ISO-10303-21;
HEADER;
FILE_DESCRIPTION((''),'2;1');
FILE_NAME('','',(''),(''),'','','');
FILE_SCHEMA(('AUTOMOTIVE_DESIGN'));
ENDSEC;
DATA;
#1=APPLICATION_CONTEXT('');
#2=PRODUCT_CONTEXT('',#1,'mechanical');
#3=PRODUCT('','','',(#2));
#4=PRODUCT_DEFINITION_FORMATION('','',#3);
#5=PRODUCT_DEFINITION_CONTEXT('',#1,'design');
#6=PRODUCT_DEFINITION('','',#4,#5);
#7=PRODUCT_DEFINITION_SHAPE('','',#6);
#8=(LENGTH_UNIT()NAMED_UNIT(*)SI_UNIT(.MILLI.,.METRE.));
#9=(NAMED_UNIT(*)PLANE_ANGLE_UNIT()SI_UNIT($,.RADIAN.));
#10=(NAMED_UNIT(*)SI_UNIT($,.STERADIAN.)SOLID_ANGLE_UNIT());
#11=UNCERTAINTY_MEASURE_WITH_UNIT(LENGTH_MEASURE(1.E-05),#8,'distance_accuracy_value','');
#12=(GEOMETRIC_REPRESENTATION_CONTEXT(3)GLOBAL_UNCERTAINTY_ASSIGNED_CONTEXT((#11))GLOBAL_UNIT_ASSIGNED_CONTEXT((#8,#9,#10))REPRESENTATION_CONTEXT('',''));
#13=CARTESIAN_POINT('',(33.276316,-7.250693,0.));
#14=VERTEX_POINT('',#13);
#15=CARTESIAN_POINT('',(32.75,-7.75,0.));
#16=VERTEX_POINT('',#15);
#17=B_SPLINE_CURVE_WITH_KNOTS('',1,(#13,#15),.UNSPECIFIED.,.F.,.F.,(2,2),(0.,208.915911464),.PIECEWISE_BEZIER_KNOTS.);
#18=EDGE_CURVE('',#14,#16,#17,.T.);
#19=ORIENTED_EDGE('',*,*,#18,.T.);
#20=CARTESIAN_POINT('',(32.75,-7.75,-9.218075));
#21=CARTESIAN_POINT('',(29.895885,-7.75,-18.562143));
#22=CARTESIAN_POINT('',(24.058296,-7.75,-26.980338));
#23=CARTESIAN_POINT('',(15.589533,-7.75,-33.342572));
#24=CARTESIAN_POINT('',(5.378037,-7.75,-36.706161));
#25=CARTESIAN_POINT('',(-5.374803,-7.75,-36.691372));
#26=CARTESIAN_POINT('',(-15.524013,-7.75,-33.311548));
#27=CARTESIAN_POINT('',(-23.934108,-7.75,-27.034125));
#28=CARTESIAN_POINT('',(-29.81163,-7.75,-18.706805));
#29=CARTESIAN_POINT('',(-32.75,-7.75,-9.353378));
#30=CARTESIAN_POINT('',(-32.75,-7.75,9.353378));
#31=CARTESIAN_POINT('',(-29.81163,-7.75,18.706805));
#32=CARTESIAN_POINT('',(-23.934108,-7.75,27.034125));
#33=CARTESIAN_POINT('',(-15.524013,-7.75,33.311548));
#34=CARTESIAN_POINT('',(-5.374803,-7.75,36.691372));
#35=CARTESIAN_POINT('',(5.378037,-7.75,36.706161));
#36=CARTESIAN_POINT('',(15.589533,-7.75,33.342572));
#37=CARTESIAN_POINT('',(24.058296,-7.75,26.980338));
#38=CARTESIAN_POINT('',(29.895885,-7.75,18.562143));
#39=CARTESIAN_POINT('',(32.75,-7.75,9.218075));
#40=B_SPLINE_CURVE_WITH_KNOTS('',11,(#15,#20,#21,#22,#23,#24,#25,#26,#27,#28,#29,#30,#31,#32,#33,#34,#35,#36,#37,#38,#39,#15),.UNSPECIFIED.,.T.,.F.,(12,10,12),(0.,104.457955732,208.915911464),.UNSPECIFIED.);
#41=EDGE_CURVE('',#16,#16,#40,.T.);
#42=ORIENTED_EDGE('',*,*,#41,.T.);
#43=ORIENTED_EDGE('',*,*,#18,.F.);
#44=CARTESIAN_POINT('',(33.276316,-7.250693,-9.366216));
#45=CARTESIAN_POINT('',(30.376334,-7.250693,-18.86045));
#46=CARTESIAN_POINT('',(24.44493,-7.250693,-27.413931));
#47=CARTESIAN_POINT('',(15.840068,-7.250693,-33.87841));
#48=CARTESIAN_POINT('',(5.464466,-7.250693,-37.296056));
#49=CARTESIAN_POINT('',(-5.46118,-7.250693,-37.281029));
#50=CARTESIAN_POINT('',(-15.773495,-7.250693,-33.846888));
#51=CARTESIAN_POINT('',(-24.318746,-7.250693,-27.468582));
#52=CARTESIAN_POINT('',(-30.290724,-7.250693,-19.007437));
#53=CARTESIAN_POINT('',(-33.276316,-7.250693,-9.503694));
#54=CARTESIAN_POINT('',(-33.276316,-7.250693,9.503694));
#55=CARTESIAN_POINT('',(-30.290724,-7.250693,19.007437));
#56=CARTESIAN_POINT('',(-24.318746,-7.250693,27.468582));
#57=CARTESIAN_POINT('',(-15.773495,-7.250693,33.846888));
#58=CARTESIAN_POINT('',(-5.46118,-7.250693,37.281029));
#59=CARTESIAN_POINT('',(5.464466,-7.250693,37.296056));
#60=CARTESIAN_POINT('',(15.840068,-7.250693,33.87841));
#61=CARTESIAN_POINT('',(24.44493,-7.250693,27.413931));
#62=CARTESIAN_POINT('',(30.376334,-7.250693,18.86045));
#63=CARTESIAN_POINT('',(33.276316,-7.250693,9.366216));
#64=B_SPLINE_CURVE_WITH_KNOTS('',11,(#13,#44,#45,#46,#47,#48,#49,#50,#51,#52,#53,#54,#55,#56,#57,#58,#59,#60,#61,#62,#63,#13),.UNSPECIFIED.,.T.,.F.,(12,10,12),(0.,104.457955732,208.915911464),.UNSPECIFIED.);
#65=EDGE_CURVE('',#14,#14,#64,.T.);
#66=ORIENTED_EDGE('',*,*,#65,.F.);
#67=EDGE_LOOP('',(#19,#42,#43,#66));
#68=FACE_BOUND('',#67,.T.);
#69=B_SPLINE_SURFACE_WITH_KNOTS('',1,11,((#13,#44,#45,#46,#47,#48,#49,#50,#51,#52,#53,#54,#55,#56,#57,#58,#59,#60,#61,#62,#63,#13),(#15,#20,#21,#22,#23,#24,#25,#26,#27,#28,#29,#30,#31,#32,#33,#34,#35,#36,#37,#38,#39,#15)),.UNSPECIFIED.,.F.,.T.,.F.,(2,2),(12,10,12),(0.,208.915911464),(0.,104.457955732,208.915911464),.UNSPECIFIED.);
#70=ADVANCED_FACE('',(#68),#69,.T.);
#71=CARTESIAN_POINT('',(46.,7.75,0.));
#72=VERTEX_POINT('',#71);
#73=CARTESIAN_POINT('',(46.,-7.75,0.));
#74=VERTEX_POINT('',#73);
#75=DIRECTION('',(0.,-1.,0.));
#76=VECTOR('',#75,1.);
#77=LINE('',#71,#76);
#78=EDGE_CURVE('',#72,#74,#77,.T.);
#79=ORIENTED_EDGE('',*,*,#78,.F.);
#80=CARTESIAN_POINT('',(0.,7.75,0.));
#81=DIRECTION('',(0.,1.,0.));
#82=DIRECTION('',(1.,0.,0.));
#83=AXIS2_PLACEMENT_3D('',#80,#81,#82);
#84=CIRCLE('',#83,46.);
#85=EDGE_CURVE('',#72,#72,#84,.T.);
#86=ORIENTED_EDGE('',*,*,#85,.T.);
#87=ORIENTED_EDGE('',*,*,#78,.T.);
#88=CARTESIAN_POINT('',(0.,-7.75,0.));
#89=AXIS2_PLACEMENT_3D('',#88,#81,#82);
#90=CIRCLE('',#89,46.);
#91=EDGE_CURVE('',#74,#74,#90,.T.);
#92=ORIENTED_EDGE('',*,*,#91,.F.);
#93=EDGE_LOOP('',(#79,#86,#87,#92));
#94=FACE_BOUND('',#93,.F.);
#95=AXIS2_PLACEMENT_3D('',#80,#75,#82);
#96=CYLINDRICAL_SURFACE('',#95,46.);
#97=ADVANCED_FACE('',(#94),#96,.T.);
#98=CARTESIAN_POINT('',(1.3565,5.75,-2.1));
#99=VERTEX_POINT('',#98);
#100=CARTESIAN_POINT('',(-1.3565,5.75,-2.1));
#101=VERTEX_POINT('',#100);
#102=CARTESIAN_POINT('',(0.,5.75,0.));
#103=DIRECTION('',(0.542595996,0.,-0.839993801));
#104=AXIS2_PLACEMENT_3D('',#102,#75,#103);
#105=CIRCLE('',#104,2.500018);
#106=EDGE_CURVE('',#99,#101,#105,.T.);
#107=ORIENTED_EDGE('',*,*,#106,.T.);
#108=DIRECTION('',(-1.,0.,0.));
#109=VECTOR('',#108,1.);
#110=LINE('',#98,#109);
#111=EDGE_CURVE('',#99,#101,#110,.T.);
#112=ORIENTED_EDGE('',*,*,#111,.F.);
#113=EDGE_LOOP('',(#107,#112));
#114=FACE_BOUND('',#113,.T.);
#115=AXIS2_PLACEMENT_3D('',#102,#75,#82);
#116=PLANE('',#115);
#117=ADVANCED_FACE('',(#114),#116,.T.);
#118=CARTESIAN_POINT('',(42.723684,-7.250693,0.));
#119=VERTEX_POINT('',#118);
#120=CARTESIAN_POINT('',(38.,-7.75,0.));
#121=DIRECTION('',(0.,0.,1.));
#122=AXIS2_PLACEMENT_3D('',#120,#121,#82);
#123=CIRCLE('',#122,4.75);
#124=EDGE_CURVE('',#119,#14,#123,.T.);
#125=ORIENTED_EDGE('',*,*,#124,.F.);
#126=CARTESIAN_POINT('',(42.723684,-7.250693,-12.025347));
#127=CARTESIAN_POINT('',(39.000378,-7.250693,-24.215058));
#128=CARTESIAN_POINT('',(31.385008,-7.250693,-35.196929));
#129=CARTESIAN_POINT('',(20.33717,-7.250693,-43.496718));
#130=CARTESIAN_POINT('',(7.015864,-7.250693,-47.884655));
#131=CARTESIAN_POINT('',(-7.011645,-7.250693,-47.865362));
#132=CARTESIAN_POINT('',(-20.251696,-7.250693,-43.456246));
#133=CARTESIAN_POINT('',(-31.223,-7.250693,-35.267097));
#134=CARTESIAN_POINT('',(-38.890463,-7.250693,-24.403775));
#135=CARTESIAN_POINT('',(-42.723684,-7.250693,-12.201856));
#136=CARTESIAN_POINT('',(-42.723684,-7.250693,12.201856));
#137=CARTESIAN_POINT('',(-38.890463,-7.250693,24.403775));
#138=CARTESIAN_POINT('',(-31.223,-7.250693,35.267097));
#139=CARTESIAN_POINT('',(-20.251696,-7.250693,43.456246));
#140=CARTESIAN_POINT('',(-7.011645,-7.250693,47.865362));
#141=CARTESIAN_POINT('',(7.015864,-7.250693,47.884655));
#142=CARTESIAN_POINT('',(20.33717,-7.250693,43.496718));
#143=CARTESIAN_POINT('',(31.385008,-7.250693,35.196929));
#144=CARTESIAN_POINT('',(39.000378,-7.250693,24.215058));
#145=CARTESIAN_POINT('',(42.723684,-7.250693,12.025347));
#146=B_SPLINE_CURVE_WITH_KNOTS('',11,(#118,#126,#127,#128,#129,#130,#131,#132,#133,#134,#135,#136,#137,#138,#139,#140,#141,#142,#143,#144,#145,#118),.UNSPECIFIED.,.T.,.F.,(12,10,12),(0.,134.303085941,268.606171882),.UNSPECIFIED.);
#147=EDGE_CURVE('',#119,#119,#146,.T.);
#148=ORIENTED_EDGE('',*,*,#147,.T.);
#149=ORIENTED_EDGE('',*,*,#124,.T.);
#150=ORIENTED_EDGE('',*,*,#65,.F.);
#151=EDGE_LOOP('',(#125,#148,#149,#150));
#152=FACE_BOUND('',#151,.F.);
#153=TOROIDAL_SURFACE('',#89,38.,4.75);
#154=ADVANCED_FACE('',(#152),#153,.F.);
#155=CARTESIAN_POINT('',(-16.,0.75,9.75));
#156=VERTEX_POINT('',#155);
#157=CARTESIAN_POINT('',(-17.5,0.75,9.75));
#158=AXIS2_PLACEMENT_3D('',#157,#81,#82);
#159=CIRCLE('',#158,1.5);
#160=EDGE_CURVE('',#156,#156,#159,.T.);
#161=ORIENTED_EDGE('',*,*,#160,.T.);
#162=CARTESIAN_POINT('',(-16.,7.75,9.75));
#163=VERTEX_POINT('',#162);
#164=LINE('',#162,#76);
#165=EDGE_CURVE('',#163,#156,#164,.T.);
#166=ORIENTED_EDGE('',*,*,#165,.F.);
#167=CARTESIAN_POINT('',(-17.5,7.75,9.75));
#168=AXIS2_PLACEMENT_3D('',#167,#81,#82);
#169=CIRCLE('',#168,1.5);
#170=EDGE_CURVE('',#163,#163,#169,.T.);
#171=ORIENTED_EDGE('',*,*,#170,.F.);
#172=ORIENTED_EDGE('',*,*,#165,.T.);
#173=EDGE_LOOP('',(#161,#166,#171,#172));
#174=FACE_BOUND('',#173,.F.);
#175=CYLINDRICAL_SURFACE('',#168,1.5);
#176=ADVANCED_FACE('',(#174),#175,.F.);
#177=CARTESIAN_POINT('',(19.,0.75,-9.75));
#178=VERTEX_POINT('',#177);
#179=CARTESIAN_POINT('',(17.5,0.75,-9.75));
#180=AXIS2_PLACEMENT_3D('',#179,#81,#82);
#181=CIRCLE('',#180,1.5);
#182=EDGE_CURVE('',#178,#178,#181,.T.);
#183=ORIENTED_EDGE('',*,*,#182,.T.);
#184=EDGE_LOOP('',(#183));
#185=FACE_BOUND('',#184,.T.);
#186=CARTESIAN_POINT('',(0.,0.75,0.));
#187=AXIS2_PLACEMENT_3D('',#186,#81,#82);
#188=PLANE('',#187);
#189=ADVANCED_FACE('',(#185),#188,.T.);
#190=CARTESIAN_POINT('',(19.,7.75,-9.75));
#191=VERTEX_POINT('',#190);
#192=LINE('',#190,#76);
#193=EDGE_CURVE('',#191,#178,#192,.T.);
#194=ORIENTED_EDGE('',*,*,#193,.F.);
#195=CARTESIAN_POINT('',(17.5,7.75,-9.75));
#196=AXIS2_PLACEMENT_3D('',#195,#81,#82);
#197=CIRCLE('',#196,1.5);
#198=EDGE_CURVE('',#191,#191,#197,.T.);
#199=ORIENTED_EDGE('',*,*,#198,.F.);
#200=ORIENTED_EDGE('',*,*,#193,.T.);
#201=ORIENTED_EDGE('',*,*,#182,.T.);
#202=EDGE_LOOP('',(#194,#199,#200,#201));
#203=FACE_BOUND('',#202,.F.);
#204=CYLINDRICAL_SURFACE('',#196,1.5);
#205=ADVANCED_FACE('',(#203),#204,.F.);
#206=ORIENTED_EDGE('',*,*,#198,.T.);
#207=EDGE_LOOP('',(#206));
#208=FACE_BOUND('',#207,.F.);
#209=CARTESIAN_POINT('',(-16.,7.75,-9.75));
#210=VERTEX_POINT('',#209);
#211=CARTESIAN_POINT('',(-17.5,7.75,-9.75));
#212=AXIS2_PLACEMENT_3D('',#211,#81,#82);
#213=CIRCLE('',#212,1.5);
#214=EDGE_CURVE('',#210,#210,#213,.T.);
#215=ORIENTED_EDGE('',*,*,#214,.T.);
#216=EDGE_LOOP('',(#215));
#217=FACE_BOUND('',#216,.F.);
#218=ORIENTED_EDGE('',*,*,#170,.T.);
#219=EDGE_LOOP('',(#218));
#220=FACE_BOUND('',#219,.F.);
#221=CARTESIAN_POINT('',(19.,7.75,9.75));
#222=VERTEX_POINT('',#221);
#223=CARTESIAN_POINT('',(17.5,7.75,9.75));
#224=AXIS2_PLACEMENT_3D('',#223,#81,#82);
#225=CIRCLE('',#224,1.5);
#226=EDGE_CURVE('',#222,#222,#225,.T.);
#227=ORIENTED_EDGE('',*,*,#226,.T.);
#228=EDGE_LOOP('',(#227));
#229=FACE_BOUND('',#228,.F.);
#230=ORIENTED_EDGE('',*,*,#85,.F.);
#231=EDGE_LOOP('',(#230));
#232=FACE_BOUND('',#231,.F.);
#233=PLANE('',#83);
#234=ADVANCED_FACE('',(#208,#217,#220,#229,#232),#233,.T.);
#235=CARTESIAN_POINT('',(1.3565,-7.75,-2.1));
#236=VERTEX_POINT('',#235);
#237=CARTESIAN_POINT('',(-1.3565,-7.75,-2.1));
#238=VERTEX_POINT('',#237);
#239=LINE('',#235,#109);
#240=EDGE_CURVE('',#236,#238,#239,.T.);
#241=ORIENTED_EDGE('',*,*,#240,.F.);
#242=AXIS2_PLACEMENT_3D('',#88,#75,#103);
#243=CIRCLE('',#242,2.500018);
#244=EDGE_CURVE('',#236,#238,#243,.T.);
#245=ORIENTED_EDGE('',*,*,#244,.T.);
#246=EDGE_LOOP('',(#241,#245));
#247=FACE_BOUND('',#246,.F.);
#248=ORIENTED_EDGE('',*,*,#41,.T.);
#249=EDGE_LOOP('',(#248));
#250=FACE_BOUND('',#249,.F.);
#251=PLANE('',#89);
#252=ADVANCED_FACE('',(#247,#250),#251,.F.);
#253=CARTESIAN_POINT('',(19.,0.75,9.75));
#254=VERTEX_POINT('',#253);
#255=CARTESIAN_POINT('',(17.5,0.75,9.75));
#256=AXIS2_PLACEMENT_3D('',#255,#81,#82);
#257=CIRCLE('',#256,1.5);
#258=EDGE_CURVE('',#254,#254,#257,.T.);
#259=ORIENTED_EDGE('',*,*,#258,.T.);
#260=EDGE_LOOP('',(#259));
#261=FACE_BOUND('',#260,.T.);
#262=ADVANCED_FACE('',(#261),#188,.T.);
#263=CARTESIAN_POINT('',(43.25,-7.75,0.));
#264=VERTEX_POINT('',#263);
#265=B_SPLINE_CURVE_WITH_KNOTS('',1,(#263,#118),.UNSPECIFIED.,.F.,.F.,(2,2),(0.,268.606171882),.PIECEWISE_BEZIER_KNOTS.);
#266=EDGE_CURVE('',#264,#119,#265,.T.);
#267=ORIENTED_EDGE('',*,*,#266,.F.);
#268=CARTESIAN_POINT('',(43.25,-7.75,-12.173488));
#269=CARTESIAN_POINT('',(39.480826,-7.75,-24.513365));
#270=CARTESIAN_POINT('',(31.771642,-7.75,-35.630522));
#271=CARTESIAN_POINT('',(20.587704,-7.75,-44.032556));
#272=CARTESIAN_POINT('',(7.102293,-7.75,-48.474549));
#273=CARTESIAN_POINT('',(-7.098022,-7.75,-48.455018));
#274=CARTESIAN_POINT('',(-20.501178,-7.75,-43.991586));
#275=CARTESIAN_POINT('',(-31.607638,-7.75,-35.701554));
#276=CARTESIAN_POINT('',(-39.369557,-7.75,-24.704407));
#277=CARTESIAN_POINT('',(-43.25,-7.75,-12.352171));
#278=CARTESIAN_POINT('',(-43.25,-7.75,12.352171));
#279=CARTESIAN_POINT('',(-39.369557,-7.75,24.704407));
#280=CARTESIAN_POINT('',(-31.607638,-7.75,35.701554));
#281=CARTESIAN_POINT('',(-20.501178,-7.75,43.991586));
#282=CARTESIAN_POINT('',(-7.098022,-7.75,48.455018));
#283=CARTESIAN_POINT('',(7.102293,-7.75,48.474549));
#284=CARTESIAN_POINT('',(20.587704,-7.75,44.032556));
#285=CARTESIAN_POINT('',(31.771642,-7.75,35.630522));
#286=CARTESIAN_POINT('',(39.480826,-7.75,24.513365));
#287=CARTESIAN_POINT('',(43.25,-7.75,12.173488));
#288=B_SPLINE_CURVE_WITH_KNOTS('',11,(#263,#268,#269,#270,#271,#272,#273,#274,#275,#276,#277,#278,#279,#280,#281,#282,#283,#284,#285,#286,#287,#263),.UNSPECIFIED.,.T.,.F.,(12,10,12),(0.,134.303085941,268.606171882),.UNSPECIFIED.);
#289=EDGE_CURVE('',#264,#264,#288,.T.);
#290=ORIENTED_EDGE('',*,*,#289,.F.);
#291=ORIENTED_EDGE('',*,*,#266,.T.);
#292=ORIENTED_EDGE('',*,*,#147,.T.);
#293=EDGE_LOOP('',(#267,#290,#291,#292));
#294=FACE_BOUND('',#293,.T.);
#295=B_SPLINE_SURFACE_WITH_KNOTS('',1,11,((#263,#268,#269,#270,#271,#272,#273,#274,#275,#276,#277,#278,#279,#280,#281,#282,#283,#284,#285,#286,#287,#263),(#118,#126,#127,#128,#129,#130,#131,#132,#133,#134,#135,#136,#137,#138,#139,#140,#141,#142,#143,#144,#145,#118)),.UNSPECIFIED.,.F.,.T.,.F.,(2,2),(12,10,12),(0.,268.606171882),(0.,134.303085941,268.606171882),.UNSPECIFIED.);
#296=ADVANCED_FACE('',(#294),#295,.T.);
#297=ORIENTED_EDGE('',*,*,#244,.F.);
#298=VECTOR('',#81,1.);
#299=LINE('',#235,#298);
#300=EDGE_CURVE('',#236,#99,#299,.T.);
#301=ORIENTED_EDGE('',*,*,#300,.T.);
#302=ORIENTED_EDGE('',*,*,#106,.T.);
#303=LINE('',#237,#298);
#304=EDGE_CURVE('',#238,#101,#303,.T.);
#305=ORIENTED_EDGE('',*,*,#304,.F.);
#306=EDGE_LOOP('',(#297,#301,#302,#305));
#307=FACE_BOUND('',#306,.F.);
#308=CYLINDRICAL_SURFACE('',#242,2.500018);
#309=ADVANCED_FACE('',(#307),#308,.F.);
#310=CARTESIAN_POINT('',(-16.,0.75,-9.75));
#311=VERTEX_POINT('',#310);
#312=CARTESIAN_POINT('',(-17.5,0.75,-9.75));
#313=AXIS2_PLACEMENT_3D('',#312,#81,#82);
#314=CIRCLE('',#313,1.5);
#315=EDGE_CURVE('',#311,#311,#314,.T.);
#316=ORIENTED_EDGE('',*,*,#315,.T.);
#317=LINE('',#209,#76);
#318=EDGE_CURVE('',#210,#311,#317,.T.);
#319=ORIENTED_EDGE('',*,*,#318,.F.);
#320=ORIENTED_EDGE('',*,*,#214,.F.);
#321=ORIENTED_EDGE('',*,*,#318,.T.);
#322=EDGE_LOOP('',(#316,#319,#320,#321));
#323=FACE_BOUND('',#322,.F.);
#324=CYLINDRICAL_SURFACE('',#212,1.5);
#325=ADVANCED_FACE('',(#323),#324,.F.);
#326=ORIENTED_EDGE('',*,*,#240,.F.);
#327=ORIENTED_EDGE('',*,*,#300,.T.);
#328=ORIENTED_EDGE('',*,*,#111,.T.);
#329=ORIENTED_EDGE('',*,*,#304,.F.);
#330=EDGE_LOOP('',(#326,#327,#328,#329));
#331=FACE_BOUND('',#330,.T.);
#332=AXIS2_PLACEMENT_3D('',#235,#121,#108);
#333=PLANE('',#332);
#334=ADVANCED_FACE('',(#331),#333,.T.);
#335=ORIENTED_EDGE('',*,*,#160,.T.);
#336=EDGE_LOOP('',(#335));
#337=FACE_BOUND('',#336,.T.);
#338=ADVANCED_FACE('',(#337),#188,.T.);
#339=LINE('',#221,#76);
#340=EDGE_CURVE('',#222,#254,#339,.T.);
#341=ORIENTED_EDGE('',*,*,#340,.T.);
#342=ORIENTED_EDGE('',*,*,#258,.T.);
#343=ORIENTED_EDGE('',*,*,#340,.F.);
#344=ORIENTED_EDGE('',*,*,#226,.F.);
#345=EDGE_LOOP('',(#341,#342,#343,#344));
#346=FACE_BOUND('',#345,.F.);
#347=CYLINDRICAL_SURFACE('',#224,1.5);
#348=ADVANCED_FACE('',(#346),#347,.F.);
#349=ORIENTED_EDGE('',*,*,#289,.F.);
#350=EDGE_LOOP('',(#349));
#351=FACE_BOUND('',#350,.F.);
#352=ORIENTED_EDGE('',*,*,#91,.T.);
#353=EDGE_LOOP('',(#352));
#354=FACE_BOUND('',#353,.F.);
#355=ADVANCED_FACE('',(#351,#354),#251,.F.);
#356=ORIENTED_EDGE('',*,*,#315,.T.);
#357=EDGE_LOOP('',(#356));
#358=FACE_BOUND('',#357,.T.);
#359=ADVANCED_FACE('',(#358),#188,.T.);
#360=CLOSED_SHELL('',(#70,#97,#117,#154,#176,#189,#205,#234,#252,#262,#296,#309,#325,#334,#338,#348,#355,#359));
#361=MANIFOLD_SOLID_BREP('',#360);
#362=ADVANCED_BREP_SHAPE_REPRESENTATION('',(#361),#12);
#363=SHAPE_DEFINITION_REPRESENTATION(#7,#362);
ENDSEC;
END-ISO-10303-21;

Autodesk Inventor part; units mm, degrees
ref_plane "YZ Plane" through (0, 0, 0) normal (1, 0, 0) x (0, 1, 0)
ref_plane "XZ Plane" through (0, 0, 0) normal (0, 1, 0) x (-1, 0, 0)
ref_plane "XY Plane" through (0, 0, 0) normal (0, 0, 1) x (1, 0, 0)
sketch "Szkic1" plane through (0, 0, 0) normal (0, 0, 1) x (1, 0, 0)
  line L0 (0, 7.75) -> (46, 7.75)
  line L1 (46, 7.75) -> (46, -7.75)
  line L2 (46, -7.75) -> (42.75, -7.75)
  line L3 (0, -7.75) -> (0, 7.75)
  line L4 (33.25, -7.75) -> (0, -7.75)
  arc A0 (42.75, -7.75) -> (33.25, -7.75) centre (38, -7.75) ccw
  line L5 (0, -10.85) -> (0, 10.85) projected
  line L6 (0, -7.75) -> (33.25, -7.75)
  line L7 (42.75, -7.75) -> (46, -7.75)
  point P0 (0, 0)
  point P1 (0, 0)
  dimension "d0" = 46
  dimension "d1" = 15.5
  dimension "d9" = 38
  dimension "d10" = 4.75
  dimension "d11" = 0
revolve "Obrót1" add sketch "Szkic1" angle 360 about axis through (0, -10, 0) along (0, 1, 0)
sketch "Szkic2" plane through (0, -7.75, 0) normal (0, -1, 0) x (1, 0, 0)
  arc A0 (1.3565, -2.1) -> (-1.3565, -2.1) centre (0, 0) ccw
  line L0 (1.3565, -2.1) -> (-1.3565, -2.1)
  point P0 (0, -2.1)
  point P1 (0, 2.5)
  dimension "d5" = 5
  dimension "d15" = 4.6
extrude "Wyciągnięcie proste1" cut sketch "Szkic2" against normal blind 13.5
chamfer "Faza1" distance 0.5 angle 45 2 edges at (-42.75, -7.75, 0) (-33.25, -7.75, 0)
sketch "Szkic3" plane through (0, 7.75, 0) normal (0, 1, 0) x (1, 0, 0)
  circle A0 centre (-17.5, -9.75) radius 1.5
  line L0 (64.4, 0) -> (-64.4, 0) projected
  line L1 (0, 64.4) -> (0, -64.4) projected
  circle A1 centre (-17.5, 9.75) radius 1.5
  circle A2 centre (17.5, -9.75) radius 1.5
  circle A3 centre (17.5, 9.75) radius 1.5
  point P0 (0, 0)
  dimension "d16" = 3
  dimension "d17" = 9.75
  dimension "d18" = 17.5
extrude "Wyciągnięcie proste2" cut sketch "Szkic3" against normal blind 7
properties part number "Base_arm_mount"
